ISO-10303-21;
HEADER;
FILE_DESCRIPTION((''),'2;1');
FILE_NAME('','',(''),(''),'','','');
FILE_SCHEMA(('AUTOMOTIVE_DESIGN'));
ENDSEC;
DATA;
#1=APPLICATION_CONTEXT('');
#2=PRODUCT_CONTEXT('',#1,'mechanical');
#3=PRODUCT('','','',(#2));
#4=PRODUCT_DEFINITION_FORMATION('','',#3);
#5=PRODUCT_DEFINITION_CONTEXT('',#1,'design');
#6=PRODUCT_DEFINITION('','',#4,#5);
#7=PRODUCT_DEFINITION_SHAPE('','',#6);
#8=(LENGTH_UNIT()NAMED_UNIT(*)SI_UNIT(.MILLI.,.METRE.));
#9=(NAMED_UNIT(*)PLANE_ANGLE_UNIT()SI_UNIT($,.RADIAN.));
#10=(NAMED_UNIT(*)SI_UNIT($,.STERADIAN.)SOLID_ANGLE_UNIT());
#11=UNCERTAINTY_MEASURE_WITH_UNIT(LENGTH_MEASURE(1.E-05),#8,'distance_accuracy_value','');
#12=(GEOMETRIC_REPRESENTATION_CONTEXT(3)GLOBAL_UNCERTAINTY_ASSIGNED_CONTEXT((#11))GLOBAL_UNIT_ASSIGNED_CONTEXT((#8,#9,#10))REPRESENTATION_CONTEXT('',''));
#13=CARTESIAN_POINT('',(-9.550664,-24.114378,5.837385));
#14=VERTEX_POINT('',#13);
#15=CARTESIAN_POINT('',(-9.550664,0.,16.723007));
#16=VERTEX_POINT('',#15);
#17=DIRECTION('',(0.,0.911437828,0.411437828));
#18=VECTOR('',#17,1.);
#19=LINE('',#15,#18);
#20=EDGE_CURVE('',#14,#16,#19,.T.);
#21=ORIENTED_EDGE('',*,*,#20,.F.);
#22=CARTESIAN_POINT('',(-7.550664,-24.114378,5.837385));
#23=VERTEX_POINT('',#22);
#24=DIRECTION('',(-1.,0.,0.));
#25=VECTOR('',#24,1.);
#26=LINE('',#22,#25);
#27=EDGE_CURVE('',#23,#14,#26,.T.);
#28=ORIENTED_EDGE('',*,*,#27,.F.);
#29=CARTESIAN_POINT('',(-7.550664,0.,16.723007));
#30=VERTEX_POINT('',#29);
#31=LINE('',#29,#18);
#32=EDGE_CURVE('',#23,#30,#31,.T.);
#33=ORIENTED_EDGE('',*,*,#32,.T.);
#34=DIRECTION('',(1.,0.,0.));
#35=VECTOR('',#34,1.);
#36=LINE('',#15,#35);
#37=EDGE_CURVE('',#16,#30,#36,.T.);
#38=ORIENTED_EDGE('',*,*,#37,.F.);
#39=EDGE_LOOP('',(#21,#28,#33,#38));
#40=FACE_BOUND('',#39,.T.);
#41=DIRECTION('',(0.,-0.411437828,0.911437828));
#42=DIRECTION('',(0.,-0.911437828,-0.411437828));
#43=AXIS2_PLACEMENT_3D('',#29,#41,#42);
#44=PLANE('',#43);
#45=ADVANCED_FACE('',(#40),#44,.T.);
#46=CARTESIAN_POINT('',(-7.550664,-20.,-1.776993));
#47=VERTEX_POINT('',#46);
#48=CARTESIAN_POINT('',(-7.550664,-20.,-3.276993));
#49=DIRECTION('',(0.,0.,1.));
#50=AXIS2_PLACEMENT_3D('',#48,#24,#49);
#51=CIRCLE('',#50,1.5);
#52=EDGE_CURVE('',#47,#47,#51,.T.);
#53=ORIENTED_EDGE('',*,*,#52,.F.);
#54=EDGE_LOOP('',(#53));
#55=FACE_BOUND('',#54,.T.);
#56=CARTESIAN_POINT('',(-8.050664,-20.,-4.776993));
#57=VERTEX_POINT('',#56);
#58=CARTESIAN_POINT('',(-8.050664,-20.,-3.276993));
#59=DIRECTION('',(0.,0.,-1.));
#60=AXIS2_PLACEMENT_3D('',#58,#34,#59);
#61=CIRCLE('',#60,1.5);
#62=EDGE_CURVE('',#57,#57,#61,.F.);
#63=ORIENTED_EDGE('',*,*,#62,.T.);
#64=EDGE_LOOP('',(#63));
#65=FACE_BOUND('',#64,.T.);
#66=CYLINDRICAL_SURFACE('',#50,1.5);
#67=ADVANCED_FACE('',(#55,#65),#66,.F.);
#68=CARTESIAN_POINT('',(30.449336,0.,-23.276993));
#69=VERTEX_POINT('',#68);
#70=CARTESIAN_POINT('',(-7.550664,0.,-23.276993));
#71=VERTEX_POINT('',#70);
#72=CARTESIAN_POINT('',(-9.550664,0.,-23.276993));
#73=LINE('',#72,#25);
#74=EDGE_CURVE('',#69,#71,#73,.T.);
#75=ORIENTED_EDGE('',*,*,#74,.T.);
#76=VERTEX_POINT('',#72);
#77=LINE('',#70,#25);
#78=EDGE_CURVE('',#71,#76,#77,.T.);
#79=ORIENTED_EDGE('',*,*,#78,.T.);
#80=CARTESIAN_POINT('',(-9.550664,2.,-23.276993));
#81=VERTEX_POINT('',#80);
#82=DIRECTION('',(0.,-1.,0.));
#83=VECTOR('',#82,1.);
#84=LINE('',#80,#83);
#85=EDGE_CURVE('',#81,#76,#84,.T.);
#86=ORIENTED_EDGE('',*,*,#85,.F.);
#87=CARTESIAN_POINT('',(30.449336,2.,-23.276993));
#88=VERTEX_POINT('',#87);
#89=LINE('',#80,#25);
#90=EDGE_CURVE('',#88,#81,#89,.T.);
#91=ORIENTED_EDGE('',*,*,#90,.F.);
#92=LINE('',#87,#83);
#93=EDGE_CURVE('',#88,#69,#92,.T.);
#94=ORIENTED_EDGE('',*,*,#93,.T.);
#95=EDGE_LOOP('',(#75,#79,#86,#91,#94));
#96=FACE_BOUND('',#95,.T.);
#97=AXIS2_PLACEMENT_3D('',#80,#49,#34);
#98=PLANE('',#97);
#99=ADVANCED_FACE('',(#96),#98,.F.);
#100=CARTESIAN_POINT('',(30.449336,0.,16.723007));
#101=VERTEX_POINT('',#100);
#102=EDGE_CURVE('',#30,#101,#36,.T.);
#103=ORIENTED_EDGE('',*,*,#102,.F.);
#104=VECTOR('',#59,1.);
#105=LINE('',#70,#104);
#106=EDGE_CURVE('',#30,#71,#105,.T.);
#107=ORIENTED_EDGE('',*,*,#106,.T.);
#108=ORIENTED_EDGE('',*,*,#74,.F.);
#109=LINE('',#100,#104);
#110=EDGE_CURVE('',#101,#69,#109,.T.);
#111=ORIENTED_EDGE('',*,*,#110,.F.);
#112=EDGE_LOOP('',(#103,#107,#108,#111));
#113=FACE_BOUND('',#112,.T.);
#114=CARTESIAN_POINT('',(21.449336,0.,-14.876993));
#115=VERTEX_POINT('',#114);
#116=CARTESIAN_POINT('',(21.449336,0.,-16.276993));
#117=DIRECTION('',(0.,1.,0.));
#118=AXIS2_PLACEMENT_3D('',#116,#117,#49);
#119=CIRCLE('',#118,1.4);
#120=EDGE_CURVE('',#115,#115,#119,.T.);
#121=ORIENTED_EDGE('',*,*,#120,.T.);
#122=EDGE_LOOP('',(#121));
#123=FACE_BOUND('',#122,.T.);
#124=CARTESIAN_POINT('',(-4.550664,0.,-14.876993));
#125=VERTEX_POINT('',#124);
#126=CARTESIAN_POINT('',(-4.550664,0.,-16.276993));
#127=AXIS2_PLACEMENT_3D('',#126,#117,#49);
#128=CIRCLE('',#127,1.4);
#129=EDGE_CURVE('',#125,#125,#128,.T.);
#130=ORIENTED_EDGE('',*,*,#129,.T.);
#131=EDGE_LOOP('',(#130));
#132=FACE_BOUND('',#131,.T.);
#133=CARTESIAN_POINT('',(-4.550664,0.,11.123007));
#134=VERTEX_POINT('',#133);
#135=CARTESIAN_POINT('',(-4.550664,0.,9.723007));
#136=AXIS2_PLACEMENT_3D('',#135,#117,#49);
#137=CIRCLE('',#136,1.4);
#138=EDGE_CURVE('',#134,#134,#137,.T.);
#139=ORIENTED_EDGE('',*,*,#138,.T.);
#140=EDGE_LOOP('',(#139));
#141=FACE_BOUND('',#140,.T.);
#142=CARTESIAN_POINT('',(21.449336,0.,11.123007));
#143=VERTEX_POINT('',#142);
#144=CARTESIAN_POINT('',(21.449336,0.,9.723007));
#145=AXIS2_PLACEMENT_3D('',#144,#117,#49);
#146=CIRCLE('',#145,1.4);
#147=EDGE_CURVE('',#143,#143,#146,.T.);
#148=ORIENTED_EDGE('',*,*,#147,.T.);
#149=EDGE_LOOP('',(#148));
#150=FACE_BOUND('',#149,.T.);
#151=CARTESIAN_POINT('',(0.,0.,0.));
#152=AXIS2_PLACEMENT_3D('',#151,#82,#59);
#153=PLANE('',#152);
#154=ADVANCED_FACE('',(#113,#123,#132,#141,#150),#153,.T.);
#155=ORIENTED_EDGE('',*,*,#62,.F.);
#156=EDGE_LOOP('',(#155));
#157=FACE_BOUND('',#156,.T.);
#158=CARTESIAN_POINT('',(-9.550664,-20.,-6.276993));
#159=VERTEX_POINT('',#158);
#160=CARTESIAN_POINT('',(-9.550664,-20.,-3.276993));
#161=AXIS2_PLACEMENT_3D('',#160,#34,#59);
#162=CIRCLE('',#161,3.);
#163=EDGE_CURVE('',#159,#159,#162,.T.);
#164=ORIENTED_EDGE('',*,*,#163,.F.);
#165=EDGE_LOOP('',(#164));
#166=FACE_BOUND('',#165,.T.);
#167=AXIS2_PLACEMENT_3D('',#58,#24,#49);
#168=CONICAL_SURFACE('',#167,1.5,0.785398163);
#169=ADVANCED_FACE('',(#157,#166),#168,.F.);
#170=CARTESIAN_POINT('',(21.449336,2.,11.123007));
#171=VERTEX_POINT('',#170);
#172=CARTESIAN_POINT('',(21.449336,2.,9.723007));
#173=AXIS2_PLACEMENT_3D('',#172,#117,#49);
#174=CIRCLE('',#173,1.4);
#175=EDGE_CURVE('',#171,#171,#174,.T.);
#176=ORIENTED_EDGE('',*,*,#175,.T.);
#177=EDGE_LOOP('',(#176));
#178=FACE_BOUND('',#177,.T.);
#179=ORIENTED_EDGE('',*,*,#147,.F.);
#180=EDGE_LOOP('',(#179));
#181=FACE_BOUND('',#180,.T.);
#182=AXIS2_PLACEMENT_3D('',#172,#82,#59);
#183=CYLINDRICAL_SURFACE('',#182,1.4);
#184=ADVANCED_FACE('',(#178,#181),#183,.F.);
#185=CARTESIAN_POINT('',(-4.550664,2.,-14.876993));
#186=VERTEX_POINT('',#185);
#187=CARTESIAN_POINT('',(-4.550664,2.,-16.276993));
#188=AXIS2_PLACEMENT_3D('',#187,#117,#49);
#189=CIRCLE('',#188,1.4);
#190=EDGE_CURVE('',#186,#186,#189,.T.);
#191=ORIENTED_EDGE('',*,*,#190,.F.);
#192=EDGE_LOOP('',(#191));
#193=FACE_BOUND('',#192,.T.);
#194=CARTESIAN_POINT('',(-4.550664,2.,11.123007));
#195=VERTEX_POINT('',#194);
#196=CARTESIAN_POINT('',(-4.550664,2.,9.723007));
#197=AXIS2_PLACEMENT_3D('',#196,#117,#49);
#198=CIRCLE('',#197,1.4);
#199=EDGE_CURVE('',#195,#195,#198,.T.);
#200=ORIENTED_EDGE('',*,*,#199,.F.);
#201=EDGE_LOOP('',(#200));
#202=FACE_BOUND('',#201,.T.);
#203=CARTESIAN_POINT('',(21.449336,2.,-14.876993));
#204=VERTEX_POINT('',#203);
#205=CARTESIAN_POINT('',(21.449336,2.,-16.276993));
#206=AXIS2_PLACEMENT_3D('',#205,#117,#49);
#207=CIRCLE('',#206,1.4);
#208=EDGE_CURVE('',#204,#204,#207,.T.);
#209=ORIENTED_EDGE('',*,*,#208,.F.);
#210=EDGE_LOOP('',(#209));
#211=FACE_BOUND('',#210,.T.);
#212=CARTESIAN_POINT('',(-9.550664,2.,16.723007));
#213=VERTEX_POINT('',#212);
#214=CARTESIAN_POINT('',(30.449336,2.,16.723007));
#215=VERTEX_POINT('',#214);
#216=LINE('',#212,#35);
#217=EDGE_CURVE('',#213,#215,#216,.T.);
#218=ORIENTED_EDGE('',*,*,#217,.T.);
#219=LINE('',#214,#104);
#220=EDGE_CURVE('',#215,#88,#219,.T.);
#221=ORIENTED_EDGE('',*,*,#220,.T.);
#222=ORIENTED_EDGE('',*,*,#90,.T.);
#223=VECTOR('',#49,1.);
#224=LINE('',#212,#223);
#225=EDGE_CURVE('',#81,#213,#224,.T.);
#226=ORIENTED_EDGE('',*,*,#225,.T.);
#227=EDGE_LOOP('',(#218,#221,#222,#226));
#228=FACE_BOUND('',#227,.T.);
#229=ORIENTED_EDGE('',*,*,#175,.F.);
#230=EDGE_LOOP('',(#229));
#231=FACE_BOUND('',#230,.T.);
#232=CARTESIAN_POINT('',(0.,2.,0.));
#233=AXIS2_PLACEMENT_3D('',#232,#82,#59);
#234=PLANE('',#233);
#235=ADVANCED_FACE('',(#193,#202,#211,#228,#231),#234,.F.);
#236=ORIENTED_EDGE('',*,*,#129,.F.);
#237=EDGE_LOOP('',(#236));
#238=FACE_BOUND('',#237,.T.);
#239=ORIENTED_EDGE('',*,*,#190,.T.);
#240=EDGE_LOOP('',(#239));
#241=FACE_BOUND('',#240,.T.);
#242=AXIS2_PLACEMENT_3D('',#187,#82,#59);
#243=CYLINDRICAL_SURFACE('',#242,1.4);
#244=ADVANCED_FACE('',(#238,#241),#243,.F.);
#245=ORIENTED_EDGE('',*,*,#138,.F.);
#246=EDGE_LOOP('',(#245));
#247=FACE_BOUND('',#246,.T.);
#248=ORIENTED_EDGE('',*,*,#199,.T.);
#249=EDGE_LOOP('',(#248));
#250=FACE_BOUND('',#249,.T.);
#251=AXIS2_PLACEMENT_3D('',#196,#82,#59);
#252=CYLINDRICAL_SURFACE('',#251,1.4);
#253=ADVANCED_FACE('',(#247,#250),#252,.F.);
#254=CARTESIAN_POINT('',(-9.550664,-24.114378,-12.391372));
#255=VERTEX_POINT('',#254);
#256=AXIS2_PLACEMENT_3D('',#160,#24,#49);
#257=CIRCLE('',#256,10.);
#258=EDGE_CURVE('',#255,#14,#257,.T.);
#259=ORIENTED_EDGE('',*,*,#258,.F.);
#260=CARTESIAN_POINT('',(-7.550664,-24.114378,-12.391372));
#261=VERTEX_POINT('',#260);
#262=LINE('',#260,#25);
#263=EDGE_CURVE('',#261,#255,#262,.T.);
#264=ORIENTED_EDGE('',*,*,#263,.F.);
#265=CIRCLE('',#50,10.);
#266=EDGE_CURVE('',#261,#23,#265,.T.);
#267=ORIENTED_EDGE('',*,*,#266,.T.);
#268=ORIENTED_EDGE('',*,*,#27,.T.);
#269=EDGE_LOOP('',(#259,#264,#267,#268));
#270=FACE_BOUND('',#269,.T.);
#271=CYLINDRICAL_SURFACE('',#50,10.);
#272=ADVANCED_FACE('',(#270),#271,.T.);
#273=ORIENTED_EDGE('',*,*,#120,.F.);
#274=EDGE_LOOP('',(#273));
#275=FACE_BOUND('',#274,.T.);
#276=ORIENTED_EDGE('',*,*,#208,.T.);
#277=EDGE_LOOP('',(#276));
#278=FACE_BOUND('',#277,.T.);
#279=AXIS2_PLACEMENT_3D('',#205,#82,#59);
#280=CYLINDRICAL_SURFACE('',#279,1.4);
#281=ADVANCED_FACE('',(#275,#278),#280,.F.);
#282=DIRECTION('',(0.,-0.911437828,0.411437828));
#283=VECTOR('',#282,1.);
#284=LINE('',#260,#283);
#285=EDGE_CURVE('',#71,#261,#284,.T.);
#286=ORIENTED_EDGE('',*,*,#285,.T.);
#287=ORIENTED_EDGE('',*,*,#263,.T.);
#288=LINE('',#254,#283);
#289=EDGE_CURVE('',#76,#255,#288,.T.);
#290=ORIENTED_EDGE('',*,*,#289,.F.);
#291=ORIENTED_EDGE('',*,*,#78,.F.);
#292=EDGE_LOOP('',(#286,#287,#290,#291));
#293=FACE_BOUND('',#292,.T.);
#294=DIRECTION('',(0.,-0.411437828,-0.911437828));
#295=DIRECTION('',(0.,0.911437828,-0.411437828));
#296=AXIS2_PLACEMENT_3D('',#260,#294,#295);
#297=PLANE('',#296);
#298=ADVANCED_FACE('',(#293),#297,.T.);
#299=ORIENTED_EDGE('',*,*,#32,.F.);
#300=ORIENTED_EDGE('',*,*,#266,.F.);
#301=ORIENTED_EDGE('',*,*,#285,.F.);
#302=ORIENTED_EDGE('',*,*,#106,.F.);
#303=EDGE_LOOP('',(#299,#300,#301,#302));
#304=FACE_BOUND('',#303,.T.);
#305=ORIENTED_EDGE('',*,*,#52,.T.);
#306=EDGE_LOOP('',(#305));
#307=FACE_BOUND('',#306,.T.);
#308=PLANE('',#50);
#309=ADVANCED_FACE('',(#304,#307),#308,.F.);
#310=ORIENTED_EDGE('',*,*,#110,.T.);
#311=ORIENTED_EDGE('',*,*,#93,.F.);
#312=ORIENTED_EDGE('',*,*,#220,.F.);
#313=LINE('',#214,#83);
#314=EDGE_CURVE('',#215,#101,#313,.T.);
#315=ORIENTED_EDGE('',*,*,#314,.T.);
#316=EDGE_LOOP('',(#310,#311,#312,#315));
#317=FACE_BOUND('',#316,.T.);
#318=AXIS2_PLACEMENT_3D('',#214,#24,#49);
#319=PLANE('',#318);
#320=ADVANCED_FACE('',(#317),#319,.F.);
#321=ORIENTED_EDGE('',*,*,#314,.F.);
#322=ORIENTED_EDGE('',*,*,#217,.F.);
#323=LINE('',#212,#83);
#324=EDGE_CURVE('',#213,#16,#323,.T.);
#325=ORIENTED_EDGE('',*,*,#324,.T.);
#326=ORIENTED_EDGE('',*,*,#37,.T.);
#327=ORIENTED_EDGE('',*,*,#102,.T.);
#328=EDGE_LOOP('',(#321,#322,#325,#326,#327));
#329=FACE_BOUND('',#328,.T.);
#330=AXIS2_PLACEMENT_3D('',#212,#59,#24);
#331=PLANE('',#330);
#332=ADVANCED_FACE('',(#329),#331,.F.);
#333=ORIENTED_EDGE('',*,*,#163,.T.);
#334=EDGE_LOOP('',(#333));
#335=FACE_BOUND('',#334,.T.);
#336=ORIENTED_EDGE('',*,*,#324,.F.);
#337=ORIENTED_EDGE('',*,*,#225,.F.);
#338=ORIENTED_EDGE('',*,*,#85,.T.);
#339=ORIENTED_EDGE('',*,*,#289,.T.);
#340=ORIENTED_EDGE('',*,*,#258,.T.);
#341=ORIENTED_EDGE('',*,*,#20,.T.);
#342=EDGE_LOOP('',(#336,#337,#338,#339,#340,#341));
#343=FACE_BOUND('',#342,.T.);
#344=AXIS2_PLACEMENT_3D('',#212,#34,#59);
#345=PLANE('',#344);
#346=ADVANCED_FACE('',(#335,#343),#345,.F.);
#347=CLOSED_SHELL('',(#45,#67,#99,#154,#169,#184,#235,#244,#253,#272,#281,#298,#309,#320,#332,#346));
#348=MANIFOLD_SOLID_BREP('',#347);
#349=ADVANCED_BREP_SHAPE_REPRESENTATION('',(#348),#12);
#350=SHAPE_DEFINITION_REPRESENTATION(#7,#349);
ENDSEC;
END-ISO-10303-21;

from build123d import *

# Parameters (mm, degrees)
SKETCH_1_W        = 40
SKETCH_1_H        = 40
SKETCH_1_R        = 1.4
EXTRUDE_494_DEPTH = 2
SKETCH_2_R        = 1.5
EXTRUDE_1_DEPTH   = 2
CHAMFER_1_SIZE    = 1.5


with BuildPart() as part:
    # Эскиз1 → Extrude 494 (new body)
    with BuildSketch(Plane(origin=(0, 0, 0), x_dir=(1, 0, 0), z_dir=(0, 1, 0))):
        with Locations((10.449336465, 3.276993421)):
            Rectangle(SKETCH_1_W, SKETCH_1_H)
        with Locations((-4.550663535, 16.276993421)):
            Circle(SKETCH_1_R, mode=Mode.SUBTRACT)
        with Locations((21.449336465, 16.276993421)):
            Circle(SKETCH_1_R, mode=Mode.SUBTRACT)
        with Locations((21.449336465, -9.723006579)):
            Circle(SKETCH_1_R, mode=Mode.SUBTRACT)
        with Locations((-4.550663535, -9.723006579)):
            Circle(SKETCH_1_R, mode=Mode.SUBTRACT)
    extrude(amount=EXTRUDE_494_DEPTH)

    # Эскиз2 → Боковая с 1 отверстием (add)
    with BuildSketch(Plane.ZY.offset(9.550663535)):
        with BuildLine():
            Line((-12.391371699, -24.114378278), (-23.276993421, 0))
            Line((-23.276993421, 0), (16.723006579, 0))
            Line((16.723006579, 0), (5.837384857, -24.114378278))
            ThreePointArc((5.837384857, -24.114378278), (-3.276993421, -30), (-12.391371699, -24.114378278))
        make_face()
        with Locations((-3.276993421, -20)):
            Circle(SKETCH_2_R, mode=Mode.SUBTRACT)
    extrude(amount=-EXTRUDE_1_DEPTH)

    # Фаска 1 отвертие
    chamfer_1_edges = [part.edges().sort_by_distance(p)[0] for p in [
        (-9.550663535, -20, -4.776993421),
    ]]
    chamfer(chamfer_1_edges, length=CHAMFER_1_SIZE)


solid = part.part
